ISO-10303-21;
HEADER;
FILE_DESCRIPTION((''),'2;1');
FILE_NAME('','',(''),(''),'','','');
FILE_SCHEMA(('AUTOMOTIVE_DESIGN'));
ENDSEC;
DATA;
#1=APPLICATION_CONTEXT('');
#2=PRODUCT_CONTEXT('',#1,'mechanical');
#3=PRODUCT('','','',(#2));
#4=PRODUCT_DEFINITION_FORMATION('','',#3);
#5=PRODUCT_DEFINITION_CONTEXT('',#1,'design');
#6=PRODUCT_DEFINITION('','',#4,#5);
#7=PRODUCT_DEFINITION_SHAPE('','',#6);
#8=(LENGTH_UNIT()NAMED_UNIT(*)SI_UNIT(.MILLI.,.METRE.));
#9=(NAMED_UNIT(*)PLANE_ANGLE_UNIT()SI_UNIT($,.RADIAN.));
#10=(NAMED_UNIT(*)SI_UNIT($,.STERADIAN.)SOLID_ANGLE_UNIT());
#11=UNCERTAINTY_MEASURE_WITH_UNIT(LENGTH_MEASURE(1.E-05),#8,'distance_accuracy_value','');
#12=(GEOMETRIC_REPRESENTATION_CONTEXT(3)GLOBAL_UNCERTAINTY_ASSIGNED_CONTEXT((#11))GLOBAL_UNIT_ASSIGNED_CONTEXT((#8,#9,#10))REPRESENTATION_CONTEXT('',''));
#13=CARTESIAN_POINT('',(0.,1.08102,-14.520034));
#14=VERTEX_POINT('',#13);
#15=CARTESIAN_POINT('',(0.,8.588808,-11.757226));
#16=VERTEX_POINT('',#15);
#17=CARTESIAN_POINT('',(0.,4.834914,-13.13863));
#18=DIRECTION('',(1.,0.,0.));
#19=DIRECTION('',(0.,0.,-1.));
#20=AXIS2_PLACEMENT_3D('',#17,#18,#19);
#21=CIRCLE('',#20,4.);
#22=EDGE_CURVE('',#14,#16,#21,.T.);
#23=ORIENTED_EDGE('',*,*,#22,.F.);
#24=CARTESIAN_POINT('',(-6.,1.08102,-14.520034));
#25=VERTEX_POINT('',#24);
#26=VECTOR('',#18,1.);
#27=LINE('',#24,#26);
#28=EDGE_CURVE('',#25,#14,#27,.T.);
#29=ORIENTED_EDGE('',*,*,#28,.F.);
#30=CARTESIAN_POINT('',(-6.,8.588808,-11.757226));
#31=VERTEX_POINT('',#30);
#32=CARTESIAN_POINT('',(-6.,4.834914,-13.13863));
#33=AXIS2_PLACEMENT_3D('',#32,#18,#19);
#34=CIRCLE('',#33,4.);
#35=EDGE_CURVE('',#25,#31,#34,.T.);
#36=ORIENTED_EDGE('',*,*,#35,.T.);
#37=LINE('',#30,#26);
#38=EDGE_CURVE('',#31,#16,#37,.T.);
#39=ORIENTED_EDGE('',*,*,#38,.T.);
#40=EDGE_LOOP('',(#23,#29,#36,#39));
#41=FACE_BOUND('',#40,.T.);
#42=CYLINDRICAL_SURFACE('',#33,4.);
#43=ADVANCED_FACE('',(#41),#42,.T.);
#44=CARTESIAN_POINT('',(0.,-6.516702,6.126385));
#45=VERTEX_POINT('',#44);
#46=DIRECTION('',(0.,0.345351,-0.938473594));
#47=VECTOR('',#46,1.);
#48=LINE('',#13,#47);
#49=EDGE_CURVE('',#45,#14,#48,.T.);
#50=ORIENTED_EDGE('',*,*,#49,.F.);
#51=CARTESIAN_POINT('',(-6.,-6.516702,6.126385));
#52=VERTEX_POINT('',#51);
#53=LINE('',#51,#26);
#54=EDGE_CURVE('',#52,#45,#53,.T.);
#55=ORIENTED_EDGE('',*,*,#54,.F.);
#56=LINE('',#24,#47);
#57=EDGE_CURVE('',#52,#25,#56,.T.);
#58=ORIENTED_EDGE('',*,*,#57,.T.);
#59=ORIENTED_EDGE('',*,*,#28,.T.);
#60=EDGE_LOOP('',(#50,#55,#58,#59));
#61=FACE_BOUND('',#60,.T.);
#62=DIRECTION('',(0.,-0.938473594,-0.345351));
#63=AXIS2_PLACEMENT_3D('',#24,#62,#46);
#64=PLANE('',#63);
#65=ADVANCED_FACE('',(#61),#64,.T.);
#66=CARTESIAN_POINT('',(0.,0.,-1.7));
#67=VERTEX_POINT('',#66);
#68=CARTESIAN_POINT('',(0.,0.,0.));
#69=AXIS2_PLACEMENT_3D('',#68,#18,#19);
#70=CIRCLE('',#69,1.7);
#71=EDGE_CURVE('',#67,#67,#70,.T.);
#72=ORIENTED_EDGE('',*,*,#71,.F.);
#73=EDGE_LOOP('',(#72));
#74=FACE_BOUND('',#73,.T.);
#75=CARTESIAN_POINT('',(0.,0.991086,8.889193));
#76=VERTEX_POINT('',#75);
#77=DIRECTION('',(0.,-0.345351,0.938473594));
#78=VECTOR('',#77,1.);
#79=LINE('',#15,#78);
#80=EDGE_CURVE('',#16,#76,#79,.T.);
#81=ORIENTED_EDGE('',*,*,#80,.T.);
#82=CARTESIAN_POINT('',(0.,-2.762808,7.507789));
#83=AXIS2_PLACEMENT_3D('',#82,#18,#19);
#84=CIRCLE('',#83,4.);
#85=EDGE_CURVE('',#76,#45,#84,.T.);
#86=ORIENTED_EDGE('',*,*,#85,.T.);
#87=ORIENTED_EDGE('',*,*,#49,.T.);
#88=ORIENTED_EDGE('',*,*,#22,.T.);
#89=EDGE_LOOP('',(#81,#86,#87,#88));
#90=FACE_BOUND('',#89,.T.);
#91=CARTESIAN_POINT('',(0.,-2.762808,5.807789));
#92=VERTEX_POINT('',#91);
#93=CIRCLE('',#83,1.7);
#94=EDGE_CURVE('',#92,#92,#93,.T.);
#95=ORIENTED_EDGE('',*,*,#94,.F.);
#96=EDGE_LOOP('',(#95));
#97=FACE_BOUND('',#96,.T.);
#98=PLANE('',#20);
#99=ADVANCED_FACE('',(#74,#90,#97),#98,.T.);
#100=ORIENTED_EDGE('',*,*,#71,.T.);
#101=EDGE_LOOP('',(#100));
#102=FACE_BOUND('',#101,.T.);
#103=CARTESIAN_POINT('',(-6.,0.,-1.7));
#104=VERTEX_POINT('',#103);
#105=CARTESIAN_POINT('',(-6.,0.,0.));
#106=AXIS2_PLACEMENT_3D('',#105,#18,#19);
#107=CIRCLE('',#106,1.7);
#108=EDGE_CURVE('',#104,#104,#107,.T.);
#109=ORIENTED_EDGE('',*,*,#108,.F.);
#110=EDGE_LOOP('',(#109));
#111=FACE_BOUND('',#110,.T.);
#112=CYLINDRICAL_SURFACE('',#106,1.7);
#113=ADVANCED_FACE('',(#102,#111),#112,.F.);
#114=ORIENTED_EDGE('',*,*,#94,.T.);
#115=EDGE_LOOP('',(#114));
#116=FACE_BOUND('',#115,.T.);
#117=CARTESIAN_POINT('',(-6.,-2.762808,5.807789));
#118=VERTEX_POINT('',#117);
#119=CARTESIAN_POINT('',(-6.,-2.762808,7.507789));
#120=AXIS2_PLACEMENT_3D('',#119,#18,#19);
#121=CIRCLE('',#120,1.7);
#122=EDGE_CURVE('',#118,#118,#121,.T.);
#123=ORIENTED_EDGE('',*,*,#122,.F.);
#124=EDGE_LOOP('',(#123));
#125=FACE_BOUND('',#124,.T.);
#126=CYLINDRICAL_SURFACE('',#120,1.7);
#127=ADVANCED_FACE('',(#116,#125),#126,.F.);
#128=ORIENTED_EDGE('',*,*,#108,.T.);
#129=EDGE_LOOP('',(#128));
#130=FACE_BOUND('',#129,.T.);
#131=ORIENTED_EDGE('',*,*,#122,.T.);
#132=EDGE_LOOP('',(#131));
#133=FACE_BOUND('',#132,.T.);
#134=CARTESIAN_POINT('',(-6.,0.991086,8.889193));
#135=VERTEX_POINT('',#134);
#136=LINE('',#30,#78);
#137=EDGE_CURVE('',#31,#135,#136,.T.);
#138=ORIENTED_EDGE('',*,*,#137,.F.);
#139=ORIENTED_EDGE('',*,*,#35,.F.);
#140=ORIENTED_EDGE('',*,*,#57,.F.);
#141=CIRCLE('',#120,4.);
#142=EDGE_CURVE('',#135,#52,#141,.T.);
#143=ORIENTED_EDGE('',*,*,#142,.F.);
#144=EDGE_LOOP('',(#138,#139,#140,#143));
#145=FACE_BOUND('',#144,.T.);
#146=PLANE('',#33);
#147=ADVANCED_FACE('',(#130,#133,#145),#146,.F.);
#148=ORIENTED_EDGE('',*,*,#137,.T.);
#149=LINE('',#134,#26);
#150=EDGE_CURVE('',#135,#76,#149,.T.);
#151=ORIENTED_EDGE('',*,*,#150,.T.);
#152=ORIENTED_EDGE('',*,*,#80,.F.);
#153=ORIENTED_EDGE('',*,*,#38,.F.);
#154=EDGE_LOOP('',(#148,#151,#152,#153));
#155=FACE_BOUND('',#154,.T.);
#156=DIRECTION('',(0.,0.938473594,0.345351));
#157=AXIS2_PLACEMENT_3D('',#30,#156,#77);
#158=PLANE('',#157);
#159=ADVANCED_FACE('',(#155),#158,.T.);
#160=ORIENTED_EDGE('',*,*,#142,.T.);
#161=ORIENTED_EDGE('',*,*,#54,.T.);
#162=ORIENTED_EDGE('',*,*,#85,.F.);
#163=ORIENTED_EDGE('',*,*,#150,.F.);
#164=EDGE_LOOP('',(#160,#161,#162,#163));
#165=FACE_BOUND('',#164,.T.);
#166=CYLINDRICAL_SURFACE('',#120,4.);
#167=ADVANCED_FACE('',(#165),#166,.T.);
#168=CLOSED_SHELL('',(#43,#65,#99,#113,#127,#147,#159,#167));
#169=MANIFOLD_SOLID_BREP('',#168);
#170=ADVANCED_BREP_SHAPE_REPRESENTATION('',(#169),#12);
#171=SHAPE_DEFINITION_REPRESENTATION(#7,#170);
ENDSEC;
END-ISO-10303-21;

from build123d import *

# Parameters (mm, degrees)
SKETCH1_R           = 1.7
BOSS_EXTRUDE1_DEPTH = 6


with BuildPart() as part:
    # Sketch1 → Boss-Extrude1 (new body)
    with BuildSketch(Plane(origin=(0, 0, 0), x_dir=(0, 0, -1), z_dir=(1, 0, 0))):
        with BuildLine():
            Line((14.520034317, 1.08101962), (-6.126384754, -6.516702375))
            ThreePointArc((-6.126384754, -6.516702375), (-11.26168313, -4.144211997), (-8.889192752, 0.991086378))
            Line((-8.889192752, 0.991086378), (11.757226319, 8.588808374))
            ThreePointArc((11.757226319, 8.588808374), (16.892524695, 6.216317996), (14.520034317, 1.08101962))
        make_face()
        Circle(SKETCH1_R, mode=Mode.SUBTRACT)
        with Locations((-7.507788753, -2.762807998)):
            Circle(SKETCH1_R, mode=Mode.SUBTRACT)
    extrude(amount=-BOSS_EXTRUDE1_DEPTH)


solid = part.part
